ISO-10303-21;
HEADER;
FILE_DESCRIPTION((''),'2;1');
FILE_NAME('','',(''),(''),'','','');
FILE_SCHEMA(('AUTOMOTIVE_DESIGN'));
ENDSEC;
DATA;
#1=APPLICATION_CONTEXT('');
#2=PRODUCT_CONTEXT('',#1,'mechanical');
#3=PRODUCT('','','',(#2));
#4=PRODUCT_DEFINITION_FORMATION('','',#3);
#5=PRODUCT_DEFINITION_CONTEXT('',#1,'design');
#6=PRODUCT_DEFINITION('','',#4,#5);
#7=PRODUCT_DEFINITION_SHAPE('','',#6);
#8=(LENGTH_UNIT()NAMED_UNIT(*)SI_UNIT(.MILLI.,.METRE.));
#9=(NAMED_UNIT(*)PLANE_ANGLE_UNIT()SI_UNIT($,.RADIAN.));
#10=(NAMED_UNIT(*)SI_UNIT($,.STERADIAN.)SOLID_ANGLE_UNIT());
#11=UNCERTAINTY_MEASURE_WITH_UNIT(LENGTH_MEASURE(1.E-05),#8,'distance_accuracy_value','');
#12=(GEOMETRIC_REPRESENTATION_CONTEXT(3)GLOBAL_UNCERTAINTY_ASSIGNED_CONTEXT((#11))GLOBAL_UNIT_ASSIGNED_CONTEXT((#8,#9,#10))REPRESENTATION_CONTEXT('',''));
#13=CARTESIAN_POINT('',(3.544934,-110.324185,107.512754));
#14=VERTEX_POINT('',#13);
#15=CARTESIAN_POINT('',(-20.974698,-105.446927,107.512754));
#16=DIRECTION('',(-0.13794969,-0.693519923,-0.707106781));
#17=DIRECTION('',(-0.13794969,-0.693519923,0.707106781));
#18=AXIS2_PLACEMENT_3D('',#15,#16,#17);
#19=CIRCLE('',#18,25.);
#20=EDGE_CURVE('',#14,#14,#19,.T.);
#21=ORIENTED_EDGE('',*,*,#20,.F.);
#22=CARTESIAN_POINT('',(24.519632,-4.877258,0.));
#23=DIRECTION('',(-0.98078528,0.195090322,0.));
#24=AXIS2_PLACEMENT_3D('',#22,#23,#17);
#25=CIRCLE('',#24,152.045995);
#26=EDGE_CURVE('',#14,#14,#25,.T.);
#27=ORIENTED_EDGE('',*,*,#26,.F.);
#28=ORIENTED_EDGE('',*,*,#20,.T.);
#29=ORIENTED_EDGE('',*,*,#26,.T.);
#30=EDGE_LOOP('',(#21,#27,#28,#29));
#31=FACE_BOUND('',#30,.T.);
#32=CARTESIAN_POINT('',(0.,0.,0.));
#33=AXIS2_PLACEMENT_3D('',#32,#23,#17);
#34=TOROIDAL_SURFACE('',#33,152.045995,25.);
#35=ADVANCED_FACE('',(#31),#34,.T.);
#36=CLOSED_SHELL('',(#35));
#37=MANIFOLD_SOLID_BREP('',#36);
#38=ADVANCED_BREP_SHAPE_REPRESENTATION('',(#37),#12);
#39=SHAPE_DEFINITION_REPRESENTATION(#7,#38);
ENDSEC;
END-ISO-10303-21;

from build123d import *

# Parameters (mm, degrees)
F2_R     = 25
F4_ANGLE = 45
F5_ANGLE = 101.25


with BuildPart() as f3:
    # F3: sweep along a path in F0
    with BuildLine(Plane.XZ) as f3_path:
        CenterArc((0, 0), 151.9936, 0, 360)
    # F2 (on line) → F3 (sweep)
    with BuildSketch(Plane.YZ):
        with Locations((0, -152.045994997)):
            Circle(F2_R)
    sweep(path=f3_path.line)


with BuildPart() as f3_1:
    # F4: moved
    add(f3.part.rotate(Axis((0, 0, 0), (0, -1, 0)), F4_ANGLE))


with BuildPart() as f3_2:
    # F5: moved
    add(f3_1.part.rotate(Axis((0, 0, -75.9968), (0, 0, -1)), F5_ANGLE))


solid = f3_2.part
